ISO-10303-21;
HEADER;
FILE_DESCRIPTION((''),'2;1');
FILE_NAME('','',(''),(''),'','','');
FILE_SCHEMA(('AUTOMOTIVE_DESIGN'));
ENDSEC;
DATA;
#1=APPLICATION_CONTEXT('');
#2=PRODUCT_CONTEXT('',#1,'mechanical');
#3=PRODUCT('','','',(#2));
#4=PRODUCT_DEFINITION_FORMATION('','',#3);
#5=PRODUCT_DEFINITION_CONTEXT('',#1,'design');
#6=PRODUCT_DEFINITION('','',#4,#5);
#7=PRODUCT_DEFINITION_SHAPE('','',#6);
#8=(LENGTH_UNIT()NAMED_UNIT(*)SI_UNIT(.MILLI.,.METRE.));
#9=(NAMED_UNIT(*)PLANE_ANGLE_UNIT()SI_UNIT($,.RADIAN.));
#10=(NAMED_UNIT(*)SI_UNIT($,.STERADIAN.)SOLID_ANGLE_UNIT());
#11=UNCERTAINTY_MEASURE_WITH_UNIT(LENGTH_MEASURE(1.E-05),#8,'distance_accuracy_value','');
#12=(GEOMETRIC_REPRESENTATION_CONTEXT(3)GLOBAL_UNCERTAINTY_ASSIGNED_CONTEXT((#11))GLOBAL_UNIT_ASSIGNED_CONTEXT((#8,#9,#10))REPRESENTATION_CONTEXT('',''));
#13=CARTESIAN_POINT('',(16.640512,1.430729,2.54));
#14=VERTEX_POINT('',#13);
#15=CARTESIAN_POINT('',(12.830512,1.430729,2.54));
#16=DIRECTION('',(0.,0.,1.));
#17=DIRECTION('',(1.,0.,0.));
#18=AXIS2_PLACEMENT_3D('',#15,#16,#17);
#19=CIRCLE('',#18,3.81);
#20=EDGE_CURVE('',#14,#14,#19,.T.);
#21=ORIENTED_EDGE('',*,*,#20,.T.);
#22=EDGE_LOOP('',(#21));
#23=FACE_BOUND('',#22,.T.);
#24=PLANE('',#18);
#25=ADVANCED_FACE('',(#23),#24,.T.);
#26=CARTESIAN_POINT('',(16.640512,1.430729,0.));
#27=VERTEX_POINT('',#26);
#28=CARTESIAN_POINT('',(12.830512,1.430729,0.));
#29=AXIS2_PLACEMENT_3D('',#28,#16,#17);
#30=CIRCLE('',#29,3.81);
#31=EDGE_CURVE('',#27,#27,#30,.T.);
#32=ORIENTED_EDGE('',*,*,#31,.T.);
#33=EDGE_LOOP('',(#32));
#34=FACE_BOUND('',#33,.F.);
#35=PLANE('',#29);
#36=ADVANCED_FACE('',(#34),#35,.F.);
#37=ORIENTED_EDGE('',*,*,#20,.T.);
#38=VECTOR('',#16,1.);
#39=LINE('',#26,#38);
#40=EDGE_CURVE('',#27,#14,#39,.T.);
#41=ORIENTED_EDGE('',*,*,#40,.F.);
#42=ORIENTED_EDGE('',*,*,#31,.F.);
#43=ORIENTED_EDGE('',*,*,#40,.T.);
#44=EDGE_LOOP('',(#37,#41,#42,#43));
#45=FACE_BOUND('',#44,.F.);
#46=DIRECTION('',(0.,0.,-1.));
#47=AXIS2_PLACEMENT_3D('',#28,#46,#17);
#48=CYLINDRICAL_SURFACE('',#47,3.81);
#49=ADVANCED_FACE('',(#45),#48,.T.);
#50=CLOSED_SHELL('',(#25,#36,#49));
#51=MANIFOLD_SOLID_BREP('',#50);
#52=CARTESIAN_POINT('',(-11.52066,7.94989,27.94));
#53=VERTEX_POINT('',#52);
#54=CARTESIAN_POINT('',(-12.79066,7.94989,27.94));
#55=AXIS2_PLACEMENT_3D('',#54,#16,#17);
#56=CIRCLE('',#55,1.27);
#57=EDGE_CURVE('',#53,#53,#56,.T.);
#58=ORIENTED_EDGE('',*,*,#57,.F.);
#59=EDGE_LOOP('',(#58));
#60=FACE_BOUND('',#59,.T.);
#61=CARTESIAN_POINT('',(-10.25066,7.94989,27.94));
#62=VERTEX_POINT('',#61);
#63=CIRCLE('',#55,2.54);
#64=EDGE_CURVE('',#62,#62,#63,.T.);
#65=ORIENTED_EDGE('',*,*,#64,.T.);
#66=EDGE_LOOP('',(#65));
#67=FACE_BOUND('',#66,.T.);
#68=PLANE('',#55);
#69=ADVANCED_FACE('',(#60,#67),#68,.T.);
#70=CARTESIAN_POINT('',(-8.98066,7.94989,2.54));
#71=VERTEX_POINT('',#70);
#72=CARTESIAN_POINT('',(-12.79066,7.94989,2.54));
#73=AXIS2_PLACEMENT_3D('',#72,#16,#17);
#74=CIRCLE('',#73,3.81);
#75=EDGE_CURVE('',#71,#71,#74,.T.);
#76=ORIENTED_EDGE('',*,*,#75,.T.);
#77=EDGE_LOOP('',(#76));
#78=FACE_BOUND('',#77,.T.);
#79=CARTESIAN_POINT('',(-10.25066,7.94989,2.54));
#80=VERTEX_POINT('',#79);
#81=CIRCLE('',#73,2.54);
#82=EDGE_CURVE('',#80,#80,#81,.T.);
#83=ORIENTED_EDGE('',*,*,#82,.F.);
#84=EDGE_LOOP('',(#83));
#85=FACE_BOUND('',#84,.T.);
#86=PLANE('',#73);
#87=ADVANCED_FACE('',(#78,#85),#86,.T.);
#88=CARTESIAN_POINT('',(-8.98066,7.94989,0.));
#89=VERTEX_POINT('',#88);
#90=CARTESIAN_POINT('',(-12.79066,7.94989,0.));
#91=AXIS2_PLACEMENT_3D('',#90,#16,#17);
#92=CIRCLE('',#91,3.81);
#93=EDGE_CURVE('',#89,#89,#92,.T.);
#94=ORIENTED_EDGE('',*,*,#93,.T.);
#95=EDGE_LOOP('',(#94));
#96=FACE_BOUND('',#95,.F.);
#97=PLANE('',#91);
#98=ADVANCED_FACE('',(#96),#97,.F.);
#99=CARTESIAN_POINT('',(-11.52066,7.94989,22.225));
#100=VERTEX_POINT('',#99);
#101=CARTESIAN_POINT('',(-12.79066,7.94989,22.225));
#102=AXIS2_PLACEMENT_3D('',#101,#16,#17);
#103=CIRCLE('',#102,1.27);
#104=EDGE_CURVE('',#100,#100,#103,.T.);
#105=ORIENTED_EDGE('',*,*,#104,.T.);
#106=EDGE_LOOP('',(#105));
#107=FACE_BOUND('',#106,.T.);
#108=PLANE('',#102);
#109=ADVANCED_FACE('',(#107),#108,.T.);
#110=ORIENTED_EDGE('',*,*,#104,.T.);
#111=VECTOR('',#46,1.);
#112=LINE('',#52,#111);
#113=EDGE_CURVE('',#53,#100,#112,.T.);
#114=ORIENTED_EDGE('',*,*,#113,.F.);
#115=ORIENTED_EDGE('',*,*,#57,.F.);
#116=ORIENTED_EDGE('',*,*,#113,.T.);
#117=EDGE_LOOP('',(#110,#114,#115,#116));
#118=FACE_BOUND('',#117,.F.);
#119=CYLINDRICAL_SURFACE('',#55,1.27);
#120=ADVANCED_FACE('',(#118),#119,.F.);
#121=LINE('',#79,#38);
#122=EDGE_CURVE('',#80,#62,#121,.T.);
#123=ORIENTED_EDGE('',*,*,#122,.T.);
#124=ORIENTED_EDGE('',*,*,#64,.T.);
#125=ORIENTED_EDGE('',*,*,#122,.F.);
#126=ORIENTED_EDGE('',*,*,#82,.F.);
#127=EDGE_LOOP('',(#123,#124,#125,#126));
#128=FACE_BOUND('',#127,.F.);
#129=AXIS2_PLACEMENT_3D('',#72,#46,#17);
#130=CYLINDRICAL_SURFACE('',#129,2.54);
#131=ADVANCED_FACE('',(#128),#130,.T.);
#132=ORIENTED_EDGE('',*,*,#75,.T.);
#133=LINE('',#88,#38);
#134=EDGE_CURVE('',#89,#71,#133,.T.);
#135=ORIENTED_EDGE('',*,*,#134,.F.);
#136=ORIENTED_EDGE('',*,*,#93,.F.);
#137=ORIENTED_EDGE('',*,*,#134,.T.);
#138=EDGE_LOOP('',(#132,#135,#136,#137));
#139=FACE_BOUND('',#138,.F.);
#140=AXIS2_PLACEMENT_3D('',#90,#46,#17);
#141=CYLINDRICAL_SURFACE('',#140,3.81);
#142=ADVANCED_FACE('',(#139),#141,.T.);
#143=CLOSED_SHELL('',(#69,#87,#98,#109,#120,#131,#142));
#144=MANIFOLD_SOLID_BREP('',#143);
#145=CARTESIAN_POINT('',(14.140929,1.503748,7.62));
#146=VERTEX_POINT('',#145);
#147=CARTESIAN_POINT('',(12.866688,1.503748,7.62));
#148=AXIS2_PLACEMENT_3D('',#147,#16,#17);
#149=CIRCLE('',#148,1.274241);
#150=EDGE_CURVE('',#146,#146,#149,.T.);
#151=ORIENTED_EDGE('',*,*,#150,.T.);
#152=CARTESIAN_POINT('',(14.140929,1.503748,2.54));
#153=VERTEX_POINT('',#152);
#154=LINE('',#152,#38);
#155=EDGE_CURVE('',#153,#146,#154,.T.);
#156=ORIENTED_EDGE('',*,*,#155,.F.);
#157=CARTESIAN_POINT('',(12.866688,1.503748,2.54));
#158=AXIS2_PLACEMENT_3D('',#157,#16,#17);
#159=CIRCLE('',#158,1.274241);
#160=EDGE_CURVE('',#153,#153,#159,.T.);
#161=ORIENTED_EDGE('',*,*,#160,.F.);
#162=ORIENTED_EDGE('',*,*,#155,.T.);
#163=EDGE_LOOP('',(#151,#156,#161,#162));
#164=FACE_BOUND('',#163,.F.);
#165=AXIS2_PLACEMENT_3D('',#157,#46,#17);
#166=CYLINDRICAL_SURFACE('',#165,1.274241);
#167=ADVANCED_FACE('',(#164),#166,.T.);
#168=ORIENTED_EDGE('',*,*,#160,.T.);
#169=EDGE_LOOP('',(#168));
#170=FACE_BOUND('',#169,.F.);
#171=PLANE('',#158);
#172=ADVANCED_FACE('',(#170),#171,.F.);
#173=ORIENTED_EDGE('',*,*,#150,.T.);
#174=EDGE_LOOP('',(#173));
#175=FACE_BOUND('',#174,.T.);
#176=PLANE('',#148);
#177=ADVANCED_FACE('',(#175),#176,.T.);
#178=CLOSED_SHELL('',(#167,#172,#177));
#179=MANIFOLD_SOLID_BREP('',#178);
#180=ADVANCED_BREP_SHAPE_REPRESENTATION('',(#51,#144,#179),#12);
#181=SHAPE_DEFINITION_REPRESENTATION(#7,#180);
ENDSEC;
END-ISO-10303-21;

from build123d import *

# Parameters (mm, degrees)
F0_R     = 3.81
F1_DEPTH = 2.54
F2_R     = 1.274241
F3_DEPTH = 5.08
F4_R     = 2.54
F5_DEPTH = 25.4
F6_R     = 1.27
F7_DEPTH = 5.715


with BuildPart() as f1:
    # F0 (on Top) → F1 (new body)
    with BuildSketch(Plane.XY):
        with Locations((12.830512, 1.430729)):
            Circle(F0_R)
        with Locations((-12.79066, 7.94989)):
            Circle(F0_R)
    extrude(amount=F1_DEPTH)

    # F4 (on face) → F5 (join)
    with BuildSketch(Plane.XY.offset(2.54)):
        with Locations((-12.79066, 7.94989)):
            Circle(F4_R)
    extrude(amount=F5_DEPTH)

    # F6 (on face) → F7 (cut)
    with BuildSketch(Plane.XY.offset(27.94)):
        with Locations((-12.79066, 7.94989)):
            Circle(F6_R)
    extrude(amount=-F7_DEPTH, mode=Mode.SUBTRACT)


with BuildPart() as f3:
    # F2 (on face) → F3 (new body)
    with BuildSketch(Plane.XY.offset(2.54)):
        with Locations((12.866688, 1.503748)):
            Circle(F2_R)
    extrude(amount=F3_DEPTH)


solid = Compound([f1.part, f3.part])
